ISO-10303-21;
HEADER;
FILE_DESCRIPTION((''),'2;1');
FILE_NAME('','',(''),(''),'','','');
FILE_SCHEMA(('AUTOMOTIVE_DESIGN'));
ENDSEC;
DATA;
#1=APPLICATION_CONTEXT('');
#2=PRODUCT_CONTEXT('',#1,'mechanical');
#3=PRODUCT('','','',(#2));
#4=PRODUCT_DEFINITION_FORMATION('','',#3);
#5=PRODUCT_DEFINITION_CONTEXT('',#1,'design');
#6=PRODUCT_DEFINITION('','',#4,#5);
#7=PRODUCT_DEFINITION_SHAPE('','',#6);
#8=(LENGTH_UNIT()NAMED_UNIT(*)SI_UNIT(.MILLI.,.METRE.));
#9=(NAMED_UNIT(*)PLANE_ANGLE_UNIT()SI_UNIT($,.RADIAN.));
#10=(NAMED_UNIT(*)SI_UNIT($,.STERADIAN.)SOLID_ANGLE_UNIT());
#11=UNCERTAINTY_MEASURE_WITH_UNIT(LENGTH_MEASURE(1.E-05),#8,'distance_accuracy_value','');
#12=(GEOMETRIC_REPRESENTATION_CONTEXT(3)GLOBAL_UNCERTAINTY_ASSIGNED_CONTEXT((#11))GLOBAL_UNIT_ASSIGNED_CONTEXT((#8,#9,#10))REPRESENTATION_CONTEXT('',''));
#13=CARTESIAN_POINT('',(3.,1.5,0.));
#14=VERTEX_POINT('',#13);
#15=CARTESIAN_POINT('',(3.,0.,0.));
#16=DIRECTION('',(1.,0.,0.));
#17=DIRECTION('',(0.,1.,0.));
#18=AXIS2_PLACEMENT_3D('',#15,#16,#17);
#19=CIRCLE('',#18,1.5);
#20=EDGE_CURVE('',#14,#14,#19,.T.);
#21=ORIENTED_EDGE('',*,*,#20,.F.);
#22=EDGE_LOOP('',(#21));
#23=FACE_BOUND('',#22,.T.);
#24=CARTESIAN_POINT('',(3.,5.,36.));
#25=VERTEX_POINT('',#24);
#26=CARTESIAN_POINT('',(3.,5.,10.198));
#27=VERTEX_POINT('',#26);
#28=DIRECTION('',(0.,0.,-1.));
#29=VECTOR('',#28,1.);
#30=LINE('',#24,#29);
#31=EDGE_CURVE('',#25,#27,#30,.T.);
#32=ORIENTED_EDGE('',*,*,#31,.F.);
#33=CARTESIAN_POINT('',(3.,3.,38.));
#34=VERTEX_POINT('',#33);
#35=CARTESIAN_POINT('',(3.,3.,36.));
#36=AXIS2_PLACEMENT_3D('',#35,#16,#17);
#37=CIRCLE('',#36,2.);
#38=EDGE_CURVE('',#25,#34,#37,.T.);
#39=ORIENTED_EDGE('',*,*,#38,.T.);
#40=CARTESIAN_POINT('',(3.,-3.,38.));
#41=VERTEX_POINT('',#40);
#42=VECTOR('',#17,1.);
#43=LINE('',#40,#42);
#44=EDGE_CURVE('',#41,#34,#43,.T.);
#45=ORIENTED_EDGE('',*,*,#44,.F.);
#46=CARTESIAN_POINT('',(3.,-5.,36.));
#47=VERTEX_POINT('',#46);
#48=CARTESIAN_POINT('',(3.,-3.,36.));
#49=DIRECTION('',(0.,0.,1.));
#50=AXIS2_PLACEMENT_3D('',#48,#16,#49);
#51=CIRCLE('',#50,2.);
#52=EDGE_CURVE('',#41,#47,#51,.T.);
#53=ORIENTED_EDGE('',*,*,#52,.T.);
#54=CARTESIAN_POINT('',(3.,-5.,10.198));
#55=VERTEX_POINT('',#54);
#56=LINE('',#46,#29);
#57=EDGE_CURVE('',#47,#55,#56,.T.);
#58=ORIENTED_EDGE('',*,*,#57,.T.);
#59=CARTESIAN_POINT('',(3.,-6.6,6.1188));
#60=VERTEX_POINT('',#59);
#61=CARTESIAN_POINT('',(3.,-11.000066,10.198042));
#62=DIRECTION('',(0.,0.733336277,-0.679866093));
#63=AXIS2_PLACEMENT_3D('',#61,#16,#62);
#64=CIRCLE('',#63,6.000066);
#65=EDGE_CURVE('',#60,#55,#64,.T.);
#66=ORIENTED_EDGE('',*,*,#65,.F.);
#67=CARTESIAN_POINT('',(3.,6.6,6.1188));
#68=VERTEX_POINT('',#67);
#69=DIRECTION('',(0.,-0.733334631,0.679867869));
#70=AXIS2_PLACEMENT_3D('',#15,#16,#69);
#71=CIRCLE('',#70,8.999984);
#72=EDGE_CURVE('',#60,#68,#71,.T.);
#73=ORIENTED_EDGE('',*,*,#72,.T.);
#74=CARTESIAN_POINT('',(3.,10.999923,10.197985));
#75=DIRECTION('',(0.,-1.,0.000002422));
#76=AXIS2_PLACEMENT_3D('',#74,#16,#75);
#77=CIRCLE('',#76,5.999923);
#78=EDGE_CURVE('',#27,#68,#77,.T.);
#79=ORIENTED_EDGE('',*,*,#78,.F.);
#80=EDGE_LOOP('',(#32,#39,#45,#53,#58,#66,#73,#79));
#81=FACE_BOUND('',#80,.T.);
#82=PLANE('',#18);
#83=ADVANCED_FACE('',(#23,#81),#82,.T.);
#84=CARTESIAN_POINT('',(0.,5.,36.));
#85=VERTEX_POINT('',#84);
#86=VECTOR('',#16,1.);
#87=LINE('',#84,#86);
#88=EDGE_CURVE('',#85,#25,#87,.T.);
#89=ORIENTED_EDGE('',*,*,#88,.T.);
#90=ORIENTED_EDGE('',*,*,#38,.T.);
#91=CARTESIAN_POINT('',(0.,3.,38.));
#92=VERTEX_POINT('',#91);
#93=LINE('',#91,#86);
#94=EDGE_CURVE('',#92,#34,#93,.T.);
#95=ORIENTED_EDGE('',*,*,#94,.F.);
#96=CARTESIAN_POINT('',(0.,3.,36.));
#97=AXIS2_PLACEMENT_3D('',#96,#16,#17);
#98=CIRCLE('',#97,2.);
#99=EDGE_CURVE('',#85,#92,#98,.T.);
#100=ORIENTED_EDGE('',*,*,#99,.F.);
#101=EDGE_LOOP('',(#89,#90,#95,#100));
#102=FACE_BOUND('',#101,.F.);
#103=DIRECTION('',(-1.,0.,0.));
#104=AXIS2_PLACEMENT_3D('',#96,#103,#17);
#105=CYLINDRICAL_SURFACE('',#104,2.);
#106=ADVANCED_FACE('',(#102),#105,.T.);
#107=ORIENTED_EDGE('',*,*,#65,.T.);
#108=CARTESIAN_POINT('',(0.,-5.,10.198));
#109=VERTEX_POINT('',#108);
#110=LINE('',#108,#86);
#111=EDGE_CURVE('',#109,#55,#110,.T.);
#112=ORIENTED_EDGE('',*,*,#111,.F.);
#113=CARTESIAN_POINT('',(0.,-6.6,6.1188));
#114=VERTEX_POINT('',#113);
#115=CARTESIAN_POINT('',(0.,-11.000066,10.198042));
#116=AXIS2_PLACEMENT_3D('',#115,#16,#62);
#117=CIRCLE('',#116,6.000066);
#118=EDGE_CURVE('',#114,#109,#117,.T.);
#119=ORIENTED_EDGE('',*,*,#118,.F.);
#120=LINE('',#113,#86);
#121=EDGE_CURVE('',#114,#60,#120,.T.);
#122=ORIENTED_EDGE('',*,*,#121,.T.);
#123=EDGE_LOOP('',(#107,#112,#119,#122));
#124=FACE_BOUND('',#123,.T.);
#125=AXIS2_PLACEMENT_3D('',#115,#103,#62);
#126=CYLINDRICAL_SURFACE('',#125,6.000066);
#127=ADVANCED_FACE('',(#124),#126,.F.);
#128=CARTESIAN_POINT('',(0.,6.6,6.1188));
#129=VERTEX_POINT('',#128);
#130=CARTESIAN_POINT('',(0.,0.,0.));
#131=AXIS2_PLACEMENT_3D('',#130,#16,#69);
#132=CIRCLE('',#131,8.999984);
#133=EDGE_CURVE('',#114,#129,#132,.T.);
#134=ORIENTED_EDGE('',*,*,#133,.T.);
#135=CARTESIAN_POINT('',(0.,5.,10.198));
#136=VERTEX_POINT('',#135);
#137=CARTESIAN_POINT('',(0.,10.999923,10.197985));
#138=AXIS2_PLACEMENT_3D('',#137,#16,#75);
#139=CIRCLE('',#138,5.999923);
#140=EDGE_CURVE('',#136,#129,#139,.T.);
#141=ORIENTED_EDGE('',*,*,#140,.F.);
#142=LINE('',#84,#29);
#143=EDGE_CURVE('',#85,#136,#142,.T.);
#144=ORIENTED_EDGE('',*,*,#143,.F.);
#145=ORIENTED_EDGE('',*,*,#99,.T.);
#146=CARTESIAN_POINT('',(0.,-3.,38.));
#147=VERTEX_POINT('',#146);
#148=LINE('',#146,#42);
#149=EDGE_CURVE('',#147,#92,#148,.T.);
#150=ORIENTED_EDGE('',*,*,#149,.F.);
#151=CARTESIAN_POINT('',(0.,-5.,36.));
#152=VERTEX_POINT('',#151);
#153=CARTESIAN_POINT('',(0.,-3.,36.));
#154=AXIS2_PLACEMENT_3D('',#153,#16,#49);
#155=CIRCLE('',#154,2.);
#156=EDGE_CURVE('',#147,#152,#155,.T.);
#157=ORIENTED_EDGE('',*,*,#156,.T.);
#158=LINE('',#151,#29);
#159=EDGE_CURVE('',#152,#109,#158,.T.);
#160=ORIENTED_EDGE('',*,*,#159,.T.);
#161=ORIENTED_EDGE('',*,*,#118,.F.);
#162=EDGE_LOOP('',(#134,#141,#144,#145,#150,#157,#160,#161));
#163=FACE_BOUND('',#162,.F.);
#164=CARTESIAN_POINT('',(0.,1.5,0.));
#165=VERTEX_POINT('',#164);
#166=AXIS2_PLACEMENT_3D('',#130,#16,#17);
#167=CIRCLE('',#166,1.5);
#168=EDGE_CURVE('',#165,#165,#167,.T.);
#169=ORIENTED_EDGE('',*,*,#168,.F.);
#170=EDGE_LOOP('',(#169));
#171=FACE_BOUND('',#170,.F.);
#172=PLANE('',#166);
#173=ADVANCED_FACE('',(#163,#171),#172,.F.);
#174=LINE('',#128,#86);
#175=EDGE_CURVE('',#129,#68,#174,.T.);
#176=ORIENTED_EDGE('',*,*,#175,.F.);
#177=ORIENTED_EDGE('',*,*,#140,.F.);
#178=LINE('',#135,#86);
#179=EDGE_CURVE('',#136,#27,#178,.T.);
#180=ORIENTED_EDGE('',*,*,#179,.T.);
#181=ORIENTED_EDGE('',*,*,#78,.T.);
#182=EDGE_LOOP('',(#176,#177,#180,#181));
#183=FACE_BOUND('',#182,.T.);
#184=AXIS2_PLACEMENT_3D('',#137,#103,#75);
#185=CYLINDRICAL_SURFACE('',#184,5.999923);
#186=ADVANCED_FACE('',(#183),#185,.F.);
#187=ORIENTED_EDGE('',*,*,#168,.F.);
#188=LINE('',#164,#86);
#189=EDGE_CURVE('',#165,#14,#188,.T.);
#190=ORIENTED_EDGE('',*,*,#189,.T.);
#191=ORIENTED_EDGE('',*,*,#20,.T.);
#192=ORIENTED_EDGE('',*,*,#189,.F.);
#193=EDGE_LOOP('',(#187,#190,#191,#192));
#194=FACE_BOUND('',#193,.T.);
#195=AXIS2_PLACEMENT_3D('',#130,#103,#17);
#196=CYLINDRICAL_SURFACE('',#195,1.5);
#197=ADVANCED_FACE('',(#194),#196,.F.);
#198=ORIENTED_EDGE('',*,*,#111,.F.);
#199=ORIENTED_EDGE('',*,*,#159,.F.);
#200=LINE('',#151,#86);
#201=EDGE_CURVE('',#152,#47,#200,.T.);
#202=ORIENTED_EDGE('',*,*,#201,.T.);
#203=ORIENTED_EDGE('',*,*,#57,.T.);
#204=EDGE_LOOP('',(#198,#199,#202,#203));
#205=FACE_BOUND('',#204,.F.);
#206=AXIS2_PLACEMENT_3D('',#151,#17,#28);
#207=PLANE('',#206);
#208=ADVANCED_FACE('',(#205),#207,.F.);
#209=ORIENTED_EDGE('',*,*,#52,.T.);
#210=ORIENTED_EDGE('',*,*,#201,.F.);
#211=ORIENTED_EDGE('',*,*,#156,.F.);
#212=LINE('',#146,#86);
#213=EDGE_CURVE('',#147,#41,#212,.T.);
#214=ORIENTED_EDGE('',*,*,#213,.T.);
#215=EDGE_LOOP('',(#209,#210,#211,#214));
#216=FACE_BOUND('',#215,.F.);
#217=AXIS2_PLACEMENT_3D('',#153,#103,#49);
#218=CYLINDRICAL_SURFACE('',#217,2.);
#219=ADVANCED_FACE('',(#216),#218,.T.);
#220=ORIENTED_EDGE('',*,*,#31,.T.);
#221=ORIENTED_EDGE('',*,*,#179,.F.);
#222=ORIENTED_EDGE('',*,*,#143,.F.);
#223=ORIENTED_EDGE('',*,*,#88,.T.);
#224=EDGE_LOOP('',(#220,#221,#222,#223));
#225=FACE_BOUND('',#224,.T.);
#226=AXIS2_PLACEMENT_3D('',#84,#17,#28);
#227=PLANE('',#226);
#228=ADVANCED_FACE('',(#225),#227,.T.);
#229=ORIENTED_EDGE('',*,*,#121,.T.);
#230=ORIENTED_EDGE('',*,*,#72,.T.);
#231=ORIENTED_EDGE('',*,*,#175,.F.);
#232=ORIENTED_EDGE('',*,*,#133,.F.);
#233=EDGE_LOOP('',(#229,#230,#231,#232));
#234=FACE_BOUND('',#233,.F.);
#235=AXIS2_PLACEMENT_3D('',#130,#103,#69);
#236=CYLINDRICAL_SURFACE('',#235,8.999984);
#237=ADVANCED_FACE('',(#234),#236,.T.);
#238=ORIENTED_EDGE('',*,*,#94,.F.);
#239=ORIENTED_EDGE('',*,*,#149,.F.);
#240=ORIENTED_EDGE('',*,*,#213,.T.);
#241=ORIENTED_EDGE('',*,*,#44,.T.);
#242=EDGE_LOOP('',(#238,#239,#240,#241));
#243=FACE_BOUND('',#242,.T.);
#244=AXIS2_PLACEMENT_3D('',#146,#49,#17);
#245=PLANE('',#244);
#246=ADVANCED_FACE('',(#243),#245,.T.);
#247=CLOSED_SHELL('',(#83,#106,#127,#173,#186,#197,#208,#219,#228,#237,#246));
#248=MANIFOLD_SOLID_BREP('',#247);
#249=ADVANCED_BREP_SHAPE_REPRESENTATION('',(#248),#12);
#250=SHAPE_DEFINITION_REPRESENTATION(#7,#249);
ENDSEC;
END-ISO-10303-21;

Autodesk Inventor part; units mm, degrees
ref_plane "YZ Plane" through (0, 0, 0) normal (1, 0, 0) x (0, 1, 0)
ref_plane "XZ Plane" through (0, 0, 0) normal (0, 1, 0) x (-1, 0, 0)
ref_plane "XY Plane" through (0, 0, 0) normal (0, 0, 1) x (1, 0, 0)
sketch "Sketch1" plane through (0, 0, 0) normal (1, 0, 0) x (0, 1, 0)
  line L0 (-21, 41) -> (21, 41) construction
  line L1 (-5, 36) -> (-5, 10.198)
  line L2 (5, 36) -> (5, 10.198)
  arc A0 (-6.6, 6.1188) -> (6.6, 6.1188) centre (0, 0) ccw
  arc A1 (-6.6, 6.1188) -> (-5, 10.198) centre (-11, 10.198) ccw
  arc A2 (5, 10.198) -> (6.6, 6.1188) centre (11, 10.198) ccw
  arc A3 (-5, 45.7275) -> (5.2222, 45.7026) centre (0, 0) ccw construction
  circle A4 centre (0, 0) radius 1.5
  line L3 (-3, 38) -> (3, 38)
  arc A5 (-3, 38) -> (-5, 36) centre (-3, 36) ccw
  arc A6 (5, 36) -> (3, 38) centre (3, 36) ccw
  point P0 (-5, 38)
  point P1 (5, 38)
  point P2 (-5, 7.4833)
  point P3 (5, 7.4833)
  dimension "d25" = 10
  dimension "d69" = 6
  dimension "d101" = 3
  dimension "d108" = 9
  dimension "d109" = 38
  dimension "d110" = 5
  dimension "d111" = 2
extrude "Extrusion6" add sketch "Sketch1" along normal blind 3
properties part number "Camera Mount_A073113"
